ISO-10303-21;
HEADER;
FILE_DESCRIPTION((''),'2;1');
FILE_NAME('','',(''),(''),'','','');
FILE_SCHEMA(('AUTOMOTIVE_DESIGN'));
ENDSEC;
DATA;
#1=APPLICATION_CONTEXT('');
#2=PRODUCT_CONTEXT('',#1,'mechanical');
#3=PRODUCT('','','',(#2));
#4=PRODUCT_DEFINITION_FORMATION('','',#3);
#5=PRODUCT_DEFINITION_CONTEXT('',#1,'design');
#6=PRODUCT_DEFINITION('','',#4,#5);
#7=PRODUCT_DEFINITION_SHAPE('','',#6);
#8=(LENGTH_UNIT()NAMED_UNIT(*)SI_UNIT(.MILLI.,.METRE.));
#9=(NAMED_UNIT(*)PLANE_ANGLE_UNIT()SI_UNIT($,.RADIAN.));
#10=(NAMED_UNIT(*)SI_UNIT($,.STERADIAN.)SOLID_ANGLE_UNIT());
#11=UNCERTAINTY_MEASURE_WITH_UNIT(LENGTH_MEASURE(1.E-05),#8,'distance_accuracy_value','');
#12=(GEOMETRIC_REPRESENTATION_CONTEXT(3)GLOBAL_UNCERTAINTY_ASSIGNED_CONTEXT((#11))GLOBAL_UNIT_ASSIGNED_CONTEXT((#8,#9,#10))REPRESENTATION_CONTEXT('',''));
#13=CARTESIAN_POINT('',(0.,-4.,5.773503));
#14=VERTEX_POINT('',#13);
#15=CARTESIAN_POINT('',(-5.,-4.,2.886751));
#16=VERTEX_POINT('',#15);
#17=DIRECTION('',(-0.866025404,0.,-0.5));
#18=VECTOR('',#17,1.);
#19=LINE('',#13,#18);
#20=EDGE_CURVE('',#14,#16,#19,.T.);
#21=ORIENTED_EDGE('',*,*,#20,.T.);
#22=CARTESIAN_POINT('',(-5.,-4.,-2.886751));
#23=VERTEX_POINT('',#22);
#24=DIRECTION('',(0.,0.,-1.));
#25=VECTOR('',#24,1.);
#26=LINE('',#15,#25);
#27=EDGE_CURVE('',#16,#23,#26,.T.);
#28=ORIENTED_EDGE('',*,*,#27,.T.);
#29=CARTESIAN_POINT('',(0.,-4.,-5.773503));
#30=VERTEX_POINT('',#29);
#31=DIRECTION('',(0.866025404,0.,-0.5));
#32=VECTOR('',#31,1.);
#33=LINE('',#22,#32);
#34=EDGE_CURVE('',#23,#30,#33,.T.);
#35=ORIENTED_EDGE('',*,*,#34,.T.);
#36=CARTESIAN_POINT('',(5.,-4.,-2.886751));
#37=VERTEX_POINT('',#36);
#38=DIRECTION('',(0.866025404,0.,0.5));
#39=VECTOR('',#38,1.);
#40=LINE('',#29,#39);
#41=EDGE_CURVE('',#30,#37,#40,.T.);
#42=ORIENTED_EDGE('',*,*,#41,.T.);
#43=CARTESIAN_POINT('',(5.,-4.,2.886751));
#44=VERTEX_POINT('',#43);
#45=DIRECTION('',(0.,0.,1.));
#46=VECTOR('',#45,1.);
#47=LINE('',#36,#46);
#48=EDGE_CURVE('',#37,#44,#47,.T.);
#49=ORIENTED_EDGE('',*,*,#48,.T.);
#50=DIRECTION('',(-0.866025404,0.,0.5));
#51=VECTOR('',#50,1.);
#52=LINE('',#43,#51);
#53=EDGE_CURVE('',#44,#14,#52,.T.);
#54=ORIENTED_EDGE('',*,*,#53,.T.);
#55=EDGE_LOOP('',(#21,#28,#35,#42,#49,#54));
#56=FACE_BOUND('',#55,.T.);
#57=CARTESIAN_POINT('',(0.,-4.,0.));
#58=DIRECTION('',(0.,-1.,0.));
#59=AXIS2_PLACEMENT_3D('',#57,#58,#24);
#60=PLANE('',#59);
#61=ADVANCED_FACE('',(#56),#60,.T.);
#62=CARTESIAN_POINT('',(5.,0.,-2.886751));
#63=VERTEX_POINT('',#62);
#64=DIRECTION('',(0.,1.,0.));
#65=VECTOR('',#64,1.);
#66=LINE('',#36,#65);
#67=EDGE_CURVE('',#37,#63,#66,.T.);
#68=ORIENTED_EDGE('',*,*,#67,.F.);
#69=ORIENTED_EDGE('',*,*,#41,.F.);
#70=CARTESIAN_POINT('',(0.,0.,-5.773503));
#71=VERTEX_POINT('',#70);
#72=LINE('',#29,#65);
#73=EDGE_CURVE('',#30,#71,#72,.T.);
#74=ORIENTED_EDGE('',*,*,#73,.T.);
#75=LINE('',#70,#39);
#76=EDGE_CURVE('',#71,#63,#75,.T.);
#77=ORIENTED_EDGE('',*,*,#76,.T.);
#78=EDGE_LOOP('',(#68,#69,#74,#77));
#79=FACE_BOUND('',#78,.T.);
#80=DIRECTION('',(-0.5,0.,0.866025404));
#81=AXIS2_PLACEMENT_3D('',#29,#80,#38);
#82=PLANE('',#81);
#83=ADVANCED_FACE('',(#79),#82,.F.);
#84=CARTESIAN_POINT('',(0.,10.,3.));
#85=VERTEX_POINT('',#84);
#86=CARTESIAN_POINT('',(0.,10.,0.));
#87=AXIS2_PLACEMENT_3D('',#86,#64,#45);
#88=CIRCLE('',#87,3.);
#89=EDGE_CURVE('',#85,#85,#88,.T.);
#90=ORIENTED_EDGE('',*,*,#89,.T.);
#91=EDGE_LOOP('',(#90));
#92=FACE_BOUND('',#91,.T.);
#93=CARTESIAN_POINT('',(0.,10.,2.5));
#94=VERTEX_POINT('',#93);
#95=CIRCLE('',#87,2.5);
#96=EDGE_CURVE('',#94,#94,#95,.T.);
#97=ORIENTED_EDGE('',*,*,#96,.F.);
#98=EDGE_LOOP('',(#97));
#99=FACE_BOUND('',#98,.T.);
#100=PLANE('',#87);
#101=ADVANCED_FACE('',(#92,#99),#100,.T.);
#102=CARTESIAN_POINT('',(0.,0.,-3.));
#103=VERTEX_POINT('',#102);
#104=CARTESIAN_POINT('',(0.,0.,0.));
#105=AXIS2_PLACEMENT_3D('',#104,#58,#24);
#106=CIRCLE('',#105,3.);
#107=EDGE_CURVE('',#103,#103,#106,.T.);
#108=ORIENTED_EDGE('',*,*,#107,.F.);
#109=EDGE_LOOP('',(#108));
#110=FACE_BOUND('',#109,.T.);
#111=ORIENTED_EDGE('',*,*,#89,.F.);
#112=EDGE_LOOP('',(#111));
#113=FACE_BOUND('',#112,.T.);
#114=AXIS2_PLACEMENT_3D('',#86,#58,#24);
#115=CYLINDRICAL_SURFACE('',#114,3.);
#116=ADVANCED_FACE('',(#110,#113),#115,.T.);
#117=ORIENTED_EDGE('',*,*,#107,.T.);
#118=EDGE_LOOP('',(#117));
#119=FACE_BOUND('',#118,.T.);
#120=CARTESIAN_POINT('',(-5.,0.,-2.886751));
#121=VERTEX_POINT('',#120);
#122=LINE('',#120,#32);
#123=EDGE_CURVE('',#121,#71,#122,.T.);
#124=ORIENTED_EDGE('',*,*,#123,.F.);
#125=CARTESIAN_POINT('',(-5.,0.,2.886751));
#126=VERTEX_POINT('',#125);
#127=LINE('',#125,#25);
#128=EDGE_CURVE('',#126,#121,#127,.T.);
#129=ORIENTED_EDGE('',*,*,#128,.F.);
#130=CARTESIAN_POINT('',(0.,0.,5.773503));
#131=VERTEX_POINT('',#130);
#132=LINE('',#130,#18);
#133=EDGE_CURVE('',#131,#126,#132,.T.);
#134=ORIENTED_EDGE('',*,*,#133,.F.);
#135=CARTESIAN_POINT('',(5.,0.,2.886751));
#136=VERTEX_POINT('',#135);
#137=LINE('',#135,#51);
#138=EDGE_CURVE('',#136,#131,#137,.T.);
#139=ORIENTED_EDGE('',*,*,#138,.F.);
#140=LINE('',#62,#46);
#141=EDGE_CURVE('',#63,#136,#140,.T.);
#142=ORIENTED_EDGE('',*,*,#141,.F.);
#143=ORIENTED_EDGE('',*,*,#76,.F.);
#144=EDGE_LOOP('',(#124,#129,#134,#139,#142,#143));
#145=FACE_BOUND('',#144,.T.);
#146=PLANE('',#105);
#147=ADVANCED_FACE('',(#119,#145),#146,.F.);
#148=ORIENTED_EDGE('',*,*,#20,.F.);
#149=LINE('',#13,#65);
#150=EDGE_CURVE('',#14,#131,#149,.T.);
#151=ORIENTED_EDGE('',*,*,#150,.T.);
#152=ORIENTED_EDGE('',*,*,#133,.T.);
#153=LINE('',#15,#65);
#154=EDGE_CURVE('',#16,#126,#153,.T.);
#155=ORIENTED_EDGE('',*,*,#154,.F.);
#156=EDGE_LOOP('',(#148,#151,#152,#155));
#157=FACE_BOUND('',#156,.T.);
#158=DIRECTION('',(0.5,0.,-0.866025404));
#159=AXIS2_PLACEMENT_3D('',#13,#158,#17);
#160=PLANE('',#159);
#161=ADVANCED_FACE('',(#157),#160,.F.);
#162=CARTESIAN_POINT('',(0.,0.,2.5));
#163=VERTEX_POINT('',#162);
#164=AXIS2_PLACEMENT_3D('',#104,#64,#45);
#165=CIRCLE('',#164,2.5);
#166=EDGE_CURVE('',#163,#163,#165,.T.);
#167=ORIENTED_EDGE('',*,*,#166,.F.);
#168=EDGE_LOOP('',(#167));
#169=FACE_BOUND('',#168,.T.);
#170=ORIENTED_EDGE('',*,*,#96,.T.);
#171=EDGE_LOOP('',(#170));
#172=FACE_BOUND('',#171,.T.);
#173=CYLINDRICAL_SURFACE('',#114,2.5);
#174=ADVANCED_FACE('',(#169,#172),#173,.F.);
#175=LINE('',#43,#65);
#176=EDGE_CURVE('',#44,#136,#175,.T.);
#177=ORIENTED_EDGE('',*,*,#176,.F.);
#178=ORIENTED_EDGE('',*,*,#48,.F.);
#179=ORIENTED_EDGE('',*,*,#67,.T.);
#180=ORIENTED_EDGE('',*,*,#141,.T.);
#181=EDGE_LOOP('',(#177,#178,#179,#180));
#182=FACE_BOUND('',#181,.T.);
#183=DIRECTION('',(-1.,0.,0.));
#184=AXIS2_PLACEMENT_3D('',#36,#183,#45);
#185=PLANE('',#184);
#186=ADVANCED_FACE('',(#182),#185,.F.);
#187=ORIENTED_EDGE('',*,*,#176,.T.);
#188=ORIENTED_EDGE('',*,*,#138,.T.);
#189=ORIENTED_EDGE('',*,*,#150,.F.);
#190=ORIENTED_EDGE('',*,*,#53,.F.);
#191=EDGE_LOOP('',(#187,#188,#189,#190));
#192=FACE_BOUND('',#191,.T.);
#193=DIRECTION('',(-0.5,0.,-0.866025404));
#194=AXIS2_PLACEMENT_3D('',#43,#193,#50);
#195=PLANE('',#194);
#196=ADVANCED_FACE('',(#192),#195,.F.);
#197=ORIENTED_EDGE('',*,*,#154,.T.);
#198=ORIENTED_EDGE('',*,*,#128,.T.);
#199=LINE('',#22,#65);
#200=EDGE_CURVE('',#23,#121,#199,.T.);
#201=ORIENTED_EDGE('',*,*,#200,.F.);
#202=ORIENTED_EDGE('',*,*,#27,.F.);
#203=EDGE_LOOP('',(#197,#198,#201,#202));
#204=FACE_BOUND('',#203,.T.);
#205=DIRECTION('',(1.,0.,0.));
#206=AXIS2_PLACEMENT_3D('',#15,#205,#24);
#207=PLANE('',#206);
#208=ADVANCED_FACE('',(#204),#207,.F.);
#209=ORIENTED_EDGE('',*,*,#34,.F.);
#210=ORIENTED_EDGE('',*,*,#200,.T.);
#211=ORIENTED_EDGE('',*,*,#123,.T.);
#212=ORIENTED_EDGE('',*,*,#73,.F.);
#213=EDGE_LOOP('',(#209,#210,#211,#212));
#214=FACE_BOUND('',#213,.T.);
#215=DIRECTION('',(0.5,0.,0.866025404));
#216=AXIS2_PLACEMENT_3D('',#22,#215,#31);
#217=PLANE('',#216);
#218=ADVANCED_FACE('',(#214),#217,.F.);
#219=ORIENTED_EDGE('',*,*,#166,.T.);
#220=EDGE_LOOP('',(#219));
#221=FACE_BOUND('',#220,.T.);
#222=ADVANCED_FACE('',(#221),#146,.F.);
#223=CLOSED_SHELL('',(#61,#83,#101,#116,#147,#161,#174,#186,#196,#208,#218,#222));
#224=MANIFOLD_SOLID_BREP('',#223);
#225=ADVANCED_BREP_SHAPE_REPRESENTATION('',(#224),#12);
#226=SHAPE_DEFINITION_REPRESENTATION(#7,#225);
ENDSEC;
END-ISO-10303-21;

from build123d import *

# Parameters (mm, degrees)
SKETCH1_R           = 3
SKETCH1_R_2         = 2.5
BOSS_EXTRUDE1_DEPTH = 10
BOSS_EXTRUDE2_DEPTH = 4


with BuildPart() as part:
    # Sketch1 → Boss-Extrude1 (new body)
    with BuildSketch(Plane(origin=(0, 0, 0), x_dir=(1, 0, 0), z_dir=(0, 1, 0))):
        Circle(SKETCH1_R)
        Circle(SKETCH1_R_2, mode=Mode.SUBTRACT)
    extrude(amount=BOSS_EXTRUDE1_DEPTH)

    # Sketch2 → Boss-Extrude2 (add)
    with BuildSketch(Plane.XZ):
        Polygon((0, 5.773502692), (-5, 2.886751346), (-5, -2.886751346), (0, -5.773502692), (5, -2.886751346), (5, 2.886751346), align=None)
    extrude(amount=BOSS_EXTRUDE2_DEPTH)


solid = part.part
